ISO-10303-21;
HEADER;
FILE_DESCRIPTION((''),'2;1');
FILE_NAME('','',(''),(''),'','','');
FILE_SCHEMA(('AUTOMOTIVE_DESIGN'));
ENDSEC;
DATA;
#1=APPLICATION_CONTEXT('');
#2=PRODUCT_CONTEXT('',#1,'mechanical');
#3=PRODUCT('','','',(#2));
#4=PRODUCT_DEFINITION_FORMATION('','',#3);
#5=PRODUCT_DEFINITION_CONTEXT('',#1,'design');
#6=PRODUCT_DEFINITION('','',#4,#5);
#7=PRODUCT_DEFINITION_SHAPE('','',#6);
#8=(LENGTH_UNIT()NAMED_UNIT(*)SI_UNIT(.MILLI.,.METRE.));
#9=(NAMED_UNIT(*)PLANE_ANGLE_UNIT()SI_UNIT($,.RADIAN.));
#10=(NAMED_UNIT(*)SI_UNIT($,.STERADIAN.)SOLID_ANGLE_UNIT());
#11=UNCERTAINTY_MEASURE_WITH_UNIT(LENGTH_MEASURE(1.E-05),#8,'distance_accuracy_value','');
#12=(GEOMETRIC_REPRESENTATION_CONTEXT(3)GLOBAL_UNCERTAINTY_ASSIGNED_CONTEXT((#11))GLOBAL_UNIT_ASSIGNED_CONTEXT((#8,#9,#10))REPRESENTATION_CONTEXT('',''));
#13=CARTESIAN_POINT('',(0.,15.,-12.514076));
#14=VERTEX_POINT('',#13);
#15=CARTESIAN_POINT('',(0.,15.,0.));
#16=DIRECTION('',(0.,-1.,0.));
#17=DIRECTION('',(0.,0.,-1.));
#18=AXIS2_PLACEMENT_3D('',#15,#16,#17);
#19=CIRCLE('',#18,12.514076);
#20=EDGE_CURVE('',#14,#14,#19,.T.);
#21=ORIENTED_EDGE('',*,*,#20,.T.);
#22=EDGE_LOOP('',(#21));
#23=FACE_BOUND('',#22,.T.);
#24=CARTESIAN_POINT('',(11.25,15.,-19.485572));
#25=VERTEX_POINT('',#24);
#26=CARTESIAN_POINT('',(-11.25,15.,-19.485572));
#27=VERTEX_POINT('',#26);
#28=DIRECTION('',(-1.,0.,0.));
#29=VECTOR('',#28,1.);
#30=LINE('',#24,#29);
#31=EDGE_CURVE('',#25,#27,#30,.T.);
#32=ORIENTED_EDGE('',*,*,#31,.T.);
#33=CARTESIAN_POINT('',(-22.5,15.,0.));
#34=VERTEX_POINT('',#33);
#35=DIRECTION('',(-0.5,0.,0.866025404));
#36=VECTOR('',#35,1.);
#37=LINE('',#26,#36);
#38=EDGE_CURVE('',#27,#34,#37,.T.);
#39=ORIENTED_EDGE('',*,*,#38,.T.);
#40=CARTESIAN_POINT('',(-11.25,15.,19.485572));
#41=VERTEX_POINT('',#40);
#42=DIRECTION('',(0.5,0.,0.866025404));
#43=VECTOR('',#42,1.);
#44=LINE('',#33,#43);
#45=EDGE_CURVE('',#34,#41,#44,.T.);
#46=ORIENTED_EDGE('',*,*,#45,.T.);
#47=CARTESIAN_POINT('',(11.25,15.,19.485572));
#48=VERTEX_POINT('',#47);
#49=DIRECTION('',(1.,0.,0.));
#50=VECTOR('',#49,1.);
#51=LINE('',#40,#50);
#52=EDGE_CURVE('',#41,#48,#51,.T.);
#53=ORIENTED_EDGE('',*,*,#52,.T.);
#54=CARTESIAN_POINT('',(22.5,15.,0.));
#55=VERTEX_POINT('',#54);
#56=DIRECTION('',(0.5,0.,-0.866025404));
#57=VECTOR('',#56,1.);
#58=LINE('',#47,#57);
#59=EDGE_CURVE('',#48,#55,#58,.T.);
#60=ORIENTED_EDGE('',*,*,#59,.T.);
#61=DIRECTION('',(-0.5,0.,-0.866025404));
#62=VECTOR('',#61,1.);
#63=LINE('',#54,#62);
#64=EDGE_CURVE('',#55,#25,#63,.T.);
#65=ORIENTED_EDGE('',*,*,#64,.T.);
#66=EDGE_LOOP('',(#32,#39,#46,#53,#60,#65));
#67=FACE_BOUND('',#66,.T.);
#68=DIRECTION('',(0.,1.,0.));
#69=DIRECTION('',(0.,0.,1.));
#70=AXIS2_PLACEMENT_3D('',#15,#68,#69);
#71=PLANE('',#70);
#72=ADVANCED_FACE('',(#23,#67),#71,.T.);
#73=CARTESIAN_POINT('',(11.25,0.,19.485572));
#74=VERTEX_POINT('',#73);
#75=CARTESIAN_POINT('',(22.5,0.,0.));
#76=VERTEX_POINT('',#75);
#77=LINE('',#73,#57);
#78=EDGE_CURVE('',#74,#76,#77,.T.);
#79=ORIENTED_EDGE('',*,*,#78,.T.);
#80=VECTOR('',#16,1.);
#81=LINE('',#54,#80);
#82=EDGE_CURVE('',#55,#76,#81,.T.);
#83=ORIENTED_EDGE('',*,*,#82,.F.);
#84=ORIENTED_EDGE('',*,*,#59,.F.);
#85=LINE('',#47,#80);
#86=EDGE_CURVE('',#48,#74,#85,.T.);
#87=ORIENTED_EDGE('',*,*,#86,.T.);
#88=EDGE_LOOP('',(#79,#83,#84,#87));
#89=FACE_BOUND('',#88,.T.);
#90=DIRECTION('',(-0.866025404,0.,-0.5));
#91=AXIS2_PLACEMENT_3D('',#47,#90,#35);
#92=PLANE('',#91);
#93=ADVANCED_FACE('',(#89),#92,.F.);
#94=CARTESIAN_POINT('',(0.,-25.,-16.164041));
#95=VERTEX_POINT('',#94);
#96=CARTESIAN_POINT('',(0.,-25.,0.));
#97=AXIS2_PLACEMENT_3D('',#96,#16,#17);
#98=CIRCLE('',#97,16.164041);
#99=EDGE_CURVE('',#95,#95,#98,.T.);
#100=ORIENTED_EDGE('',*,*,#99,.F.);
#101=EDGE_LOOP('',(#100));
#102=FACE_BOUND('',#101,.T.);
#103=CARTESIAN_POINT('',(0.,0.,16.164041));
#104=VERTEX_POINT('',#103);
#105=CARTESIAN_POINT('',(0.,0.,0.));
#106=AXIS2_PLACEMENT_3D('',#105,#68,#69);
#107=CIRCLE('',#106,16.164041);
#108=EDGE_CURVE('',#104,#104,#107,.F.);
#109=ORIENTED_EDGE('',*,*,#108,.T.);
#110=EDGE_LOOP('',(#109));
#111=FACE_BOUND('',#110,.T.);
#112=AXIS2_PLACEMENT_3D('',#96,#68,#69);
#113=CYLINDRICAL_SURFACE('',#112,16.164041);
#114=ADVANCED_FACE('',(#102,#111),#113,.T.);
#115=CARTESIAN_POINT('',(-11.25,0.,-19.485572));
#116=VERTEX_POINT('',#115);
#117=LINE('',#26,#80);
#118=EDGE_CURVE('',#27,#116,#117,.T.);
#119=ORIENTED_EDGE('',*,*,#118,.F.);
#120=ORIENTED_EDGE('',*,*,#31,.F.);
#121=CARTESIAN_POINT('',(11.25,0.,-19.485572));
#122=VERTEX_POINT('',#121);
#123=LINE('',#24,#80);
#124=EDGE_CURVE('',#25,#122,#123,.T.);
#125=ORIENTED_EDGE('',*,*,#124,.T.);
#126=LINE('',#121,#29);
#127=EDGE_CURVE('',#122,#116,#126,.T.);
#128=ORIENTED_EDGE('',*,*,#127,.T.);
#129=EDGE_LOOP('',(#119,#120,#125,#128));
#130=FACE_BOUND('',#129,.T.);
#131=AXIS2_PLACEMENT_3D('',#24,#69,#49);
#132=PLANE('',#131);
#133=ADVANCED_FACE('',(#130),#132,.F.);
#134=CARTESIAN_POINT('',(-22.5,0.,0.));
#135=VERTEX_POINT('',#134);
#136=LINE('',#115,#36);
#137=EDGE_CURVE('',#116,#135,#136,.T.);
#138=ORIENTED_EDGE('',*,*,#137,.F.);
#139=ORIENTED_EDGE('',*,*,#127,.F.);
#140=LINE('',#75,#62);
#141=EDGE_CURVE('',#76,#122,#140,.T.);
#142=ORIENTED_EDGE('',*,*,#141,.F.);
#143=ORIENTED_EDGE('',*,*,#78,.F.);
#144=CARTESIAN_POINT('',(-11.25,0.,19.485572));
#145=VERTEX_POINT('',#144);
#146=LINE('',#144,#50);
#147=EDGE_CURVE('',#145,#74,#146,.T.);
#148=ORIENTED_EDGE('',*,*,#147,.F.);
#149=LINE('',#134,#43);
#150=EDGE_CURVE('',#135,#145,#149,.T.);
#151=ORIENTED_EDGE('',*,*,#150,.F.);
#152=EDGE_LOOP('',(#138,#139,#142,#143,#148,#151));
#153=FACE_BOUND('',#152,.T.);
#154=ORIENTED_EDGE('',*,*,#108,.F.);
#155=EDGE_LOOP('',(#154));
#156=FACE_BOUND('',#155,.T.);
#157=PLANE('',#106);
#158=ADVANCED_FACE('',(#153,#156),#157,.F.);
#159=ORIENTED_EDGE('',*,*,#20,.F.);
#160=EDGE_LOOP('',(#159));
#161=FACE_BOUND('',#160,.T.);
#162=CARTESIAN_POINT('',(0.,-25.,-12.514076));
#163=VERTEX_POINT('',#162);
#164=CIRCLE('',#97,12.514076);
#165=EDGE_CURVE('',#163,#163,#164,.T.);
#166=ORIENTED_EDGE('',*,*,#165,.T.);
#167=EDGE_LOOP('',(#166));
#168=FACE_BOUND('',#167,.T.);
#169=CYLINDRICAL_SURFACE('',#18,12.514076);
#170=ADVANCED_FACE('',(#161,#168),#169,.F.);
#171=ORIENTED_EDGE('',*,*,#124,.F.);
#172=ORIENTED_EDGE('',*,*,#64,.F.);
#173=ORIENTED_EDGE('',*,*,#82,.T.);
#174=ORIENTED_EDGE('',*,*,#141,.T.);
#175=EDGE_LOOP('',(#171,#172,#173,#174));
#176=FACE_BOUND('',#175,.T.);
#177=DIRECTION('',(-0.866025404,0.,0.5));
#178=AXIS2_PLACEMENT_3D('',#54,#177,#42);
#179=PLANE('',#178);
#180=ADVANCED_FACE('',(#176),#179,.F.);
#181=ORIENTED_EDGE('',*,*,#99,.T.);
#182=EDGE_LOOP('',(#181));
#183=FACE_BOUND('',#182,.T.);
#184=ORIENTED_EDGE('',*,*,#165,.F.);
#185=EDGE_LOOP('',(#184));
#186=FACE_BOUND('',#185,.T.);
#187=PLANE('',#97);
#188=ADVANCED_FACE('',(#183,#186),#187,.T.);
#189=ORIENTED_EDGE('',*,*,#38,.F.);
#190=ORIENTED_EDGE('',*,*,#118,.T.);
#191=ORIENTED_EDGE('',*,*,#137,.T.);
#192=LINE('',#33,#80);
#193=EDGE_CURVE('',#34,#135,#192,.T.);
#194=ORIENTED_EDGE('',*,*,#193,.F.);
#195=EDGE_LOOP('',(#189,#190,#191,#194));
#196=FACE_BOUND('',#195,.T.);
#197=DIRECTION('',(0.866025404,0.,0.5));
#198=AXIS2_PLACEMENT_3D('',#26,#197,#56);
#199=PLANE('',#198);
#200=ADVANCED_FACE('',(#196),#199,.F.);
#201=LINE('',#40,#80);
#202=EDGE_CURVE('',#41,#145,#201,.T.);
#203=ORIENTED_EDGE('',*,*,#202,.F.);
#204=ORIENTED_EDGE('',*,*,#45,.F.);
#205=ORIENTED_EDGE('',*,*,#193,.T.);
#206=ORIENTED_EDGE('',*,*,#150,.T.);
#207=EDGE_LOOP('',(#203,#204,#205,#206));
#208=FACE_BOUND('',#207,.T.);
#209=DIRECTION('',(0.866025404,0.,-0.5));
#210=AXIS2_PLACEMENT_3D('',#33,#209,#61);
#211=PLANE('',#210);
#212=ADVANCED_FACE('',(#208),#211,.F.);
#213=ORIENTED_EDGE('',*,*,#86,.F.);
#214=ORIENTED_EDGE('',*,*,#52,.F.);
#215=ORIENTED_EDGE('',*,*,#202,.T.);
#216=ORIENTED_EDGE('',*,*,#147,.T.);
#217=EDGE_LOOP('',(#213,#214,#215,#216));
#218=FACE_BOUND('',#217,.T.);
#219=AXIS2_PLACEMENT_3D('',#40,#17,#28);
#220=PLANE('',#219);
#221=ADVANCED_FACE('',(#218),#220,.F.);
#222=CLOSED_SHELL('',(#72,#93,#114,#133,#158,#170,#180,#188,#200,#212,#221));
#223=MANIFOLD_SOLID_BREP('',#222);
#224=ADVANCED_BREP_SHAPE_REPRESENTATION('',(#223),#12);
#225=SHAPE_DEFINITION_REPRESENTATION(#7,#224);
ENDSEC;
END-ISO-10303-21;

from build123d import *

# Parameters (mm, degrees)
SALIENTE_EXTRUIR1_DEPTH = 15
CROQUIS2_R              = 16.164040976
SALIENTE_EXTRUIR2_DEPTH = 25
CROQUIS4_R              = 12.514075771
CORTAR_EXTRUIR1_DEPTH   = 61


with BuildPart() as part:
    # Croquis1 → Saliente-Extruir1 (new body)
    with BuildSketch(Plane(origin=(0, 0, 0), x_dir=(1, 0, 0), z_dir=(0, 1, 0))):
        Polygon((22.5, 0), (11.25, 19.485571585), (-11.25, 19.485571585), (-22.5, 0), (-11.25, -19.485571585), (11.25, -19.485571585), align=None)
    extrude(amount=SALIENTE_EXTRUIR1_DEPTH)

    # Croquis2 → Saliente-Extruir2 (add)
    with BuildSketch(Plane.XZ):
        Circle(CROQUIS2_R)
    extrude(amount=SALIENTE_EXTRUIR2_DEPTH)

    # Croquis4 → Cortar-Extruir1 (cut, through all)
    with BuildSketch(Plane.XZ.offset(45)):
        Circle(CROQUIS4_R)
    extrude(amount=-CORTAR_EXTRUIR1_DEPTH, mode=Mode.SUBTRACT)


solid = part.part
